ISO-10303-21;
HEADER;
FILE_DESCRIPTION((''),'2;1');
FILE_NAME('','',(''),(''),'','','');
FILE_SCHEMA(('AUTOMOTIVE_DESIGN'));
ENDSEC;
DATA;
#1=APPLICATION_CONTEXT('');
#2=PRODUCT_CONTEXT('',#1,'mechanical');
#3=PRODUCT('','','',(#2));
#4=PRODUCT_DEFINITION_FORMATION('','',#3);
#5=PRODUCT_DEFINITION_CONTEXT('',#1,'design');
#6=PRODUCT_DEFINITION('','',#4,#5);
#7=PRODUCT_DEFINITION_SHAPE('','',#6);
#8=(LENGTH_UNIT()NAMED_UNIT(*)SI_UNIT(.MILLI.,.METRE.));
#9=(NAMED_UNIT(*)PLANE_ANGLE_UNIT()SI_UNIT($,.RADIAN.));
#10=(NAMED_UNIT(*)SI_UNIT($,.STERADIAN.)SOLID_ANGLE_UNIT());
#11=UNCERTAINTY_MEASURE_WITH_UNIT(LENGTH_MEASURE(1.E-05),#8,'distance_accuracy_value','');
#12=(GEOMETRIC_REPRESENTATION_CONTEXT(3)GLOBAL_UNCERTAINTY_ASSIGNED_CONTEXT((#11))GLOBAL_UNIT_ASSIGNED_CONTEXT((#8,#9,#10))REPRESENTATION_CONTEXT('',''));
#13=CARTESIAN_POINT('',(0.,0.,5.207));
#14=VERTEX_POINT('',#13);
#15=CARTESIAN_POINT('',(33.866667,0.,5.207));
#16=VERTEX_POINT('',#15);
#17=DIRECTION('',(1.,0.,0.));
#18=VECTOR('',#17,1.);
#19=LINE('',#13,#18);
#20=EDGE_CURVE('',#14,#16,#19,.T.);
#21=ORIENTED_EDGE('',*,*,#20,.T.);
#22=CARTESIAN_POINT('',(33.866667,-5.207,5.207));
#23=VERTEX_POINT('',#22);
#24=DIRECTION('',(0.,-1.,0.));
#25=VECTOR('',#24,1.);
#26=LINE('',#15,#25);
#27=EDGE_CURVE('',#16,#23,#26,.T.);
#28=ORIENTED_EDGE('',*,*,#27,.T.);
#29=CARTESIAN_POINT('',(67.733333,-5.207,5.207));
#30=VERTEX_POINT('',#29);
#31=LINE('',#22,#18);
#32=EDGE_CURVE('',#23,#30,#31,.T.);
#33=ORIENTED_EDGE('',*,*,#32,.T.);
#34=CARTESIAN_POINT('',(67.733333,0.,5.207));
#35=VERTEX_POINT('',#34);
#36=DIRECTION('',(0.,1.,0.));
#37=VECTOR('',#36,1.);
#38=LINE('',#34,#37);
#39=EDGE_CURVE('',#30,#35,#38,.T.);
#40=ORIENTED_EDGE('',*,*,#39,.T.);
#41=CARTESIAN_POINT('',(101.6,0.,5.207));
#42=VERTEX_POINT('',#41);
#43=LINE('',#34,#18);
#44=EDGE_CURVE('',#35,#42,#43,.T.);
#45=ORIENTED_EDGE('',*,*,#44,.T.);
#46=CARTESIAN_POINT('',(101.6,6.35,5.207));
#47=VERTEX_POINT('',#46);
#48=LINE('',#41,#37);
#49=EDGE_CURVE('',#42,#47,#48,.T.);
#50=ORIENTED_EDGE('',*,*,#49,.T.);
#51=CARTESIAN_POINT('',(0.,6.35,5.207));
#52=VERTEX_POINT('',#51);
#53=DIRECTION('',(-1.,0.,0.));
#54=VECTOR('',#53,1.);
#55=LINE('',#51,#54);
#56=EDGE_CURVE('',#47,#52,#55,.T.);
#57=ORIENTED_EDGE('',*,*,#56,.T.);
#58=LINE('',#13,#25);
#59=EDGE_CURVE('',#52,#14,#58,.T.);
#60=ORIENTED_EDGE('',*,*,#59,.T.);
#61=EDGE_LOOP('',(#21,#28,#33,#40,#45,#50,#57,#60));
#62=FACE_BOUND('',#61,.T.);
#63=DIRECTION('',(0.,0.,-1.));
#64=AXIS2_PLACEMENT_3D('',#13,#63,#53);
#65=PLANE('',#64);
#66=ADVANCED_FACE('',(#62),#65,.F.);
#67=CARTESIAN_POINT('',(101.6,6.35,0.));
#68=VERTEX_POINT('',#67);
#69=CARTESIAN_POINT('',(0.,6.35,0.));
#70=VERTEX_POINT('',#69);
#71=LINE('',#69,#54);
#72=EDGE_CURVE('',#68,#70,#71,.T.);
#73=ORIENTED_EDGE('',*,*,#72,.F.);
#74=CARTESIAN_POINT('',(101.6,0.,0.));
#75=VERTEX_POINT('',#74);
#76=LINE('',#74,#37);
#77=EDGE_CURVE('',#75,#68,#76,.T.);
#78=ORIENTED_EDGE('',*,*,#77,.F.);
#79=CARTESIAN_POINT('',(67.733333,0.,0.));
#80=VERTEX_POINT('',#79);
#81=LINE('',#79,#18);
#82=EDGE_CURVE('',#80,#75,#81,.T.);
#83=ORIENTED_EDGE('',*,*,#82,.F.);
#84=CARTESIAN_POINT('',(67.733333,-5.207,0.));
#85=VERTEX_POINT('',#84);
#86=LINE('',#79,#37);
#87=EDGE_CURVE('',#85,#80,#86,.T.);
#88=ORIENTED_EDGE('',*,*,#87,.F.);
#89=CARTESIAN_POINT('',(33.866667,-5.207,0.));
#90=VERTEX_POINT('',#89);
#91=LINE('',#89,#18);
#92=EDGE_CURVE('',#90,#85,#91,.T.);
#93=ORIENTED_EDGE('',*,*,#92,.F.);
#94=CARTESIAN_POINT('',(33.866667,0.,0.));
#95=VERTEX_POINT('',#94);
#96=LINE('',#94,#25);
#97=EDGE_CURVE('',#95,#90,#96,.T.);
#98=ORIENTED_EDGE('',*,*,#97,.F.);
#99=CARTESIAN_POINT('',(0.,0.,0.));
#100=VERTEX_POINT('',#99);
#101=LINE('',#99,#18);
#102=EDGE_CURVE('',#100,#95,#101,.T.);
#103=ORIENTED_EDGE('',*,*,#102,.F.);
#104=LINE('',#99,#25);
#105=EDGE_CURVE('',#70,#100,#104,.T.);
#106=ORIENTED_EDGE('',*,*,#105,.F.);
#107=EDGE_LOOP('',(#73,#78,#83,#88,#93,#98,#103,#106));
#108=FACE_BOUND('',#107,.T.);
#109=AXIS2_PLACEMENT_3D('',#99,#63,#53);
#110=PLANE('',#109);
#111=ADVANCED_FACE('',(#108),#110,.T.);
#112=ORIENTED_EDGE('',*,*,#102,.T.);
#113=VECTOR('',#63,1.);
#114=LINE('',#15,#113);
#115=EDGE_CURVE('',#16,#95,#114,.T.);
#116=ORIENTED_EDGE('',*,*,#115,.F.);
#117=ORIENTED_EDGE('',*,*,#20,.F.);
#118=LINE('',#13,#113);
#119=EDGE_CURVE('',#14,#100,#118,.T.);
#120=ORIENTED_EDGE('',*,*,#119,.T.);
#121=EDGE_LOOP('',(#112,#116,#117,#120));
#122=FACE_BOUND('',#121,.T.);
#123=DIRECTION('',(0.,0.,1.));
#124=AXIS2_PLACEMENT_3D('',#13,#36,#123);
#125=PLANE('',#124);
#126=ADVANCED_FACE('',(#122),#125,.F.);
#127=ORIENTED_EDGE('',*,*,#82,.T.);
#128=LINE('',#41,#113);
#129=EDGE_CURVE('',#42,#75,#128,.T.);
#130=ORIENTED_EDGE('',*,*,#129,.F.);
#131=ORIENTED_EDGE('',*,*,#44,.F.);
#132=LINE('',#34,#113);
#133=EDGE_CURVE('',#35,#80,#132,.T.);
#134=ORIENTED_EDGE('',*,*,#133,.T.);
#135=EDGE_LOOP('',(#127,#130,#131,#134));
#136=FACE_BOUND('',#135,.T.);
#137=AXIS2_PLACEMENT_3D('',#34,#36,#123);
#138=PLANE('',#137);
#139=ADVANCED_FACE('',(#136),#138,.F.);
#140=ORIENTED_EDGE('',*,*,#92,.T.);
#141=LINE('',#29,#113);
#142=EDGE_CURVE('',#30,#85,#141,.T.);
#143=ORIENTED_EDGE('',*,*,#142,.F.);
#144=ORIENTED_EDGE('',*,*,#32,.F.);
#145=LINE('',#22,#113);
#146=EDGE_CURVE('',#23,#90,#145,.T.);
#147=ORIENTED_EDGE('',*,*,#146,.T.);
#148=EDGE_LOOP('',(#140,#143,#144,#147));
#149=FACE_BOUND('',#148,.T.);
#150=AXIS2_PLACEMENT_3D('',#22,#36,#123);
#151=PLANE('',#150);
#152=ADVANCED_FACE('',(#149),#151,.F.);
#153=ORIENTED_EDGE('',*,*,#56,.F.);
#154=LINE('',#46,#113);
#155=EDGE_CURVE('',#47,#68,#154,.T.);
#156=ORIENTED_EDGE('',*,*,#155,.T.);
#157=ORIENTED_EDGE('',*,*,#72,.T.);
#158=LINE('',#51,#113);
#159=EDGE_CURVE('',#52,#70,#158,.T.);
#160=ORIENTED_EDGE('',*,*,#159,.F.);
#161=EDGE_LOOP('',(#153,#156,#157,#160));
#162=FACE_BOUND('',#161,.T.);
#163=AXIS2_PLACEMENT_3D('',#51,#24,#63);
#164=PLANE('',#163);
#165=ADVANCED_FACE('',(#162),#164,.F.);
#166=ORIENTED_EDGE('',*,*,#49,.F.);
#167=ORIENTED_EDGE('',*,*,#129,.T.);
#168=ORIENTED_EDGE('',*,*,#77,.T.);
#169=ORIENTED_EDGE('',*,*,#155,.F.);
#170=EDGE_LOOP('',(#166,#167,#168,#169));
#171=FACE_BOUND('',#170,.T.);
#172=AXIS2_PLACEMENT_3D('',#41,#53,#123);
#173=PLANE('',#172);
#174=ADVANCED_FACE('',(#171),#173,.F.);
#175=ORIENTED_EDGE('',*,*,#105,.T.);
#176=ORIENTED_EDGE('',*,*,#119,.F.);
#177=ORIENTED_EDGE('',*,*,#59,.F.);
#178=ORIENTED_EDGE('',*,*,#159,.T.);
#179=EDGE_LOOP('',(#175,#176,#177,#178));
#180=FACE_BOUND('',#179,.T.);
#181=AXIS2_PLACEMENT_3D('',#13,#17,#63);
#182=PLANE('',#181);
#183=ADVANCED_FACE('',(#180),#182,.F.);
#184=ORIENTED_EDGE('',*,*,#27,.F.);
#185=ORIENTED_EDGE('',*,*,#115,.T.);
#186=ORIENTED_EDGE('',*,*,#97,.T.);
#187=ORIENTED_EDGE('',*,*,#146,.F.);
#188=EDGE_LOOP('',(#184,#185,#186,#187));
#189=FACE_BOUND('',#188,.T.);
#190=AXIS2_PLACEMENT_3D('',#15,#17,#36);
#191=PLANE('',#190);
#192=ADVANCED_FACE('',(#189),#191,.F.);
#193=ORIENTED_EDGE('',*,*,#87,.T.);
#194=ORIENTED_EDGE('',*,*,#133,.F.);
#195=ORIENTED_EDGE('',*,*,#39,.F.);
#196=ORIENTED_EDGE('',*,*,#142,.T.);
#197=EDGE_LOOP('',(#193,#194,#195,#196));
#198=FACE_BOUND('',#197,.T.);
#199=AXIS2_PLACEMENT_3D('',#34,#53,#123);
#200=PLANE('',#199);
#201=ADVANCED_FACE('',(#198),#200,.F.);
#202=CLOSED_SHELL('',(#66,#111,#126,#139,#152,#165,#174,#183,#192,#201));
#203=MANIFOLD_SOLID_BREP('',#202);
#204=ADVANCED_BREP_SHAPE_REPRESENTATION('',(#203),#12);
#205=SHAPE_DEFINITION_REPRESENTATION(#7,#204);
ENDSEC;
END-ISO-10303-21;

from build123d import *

# Parameters (mm, degrees)
BOSS_EXTRUDE1_DEPTH = 5.207


with BuildPart() as part:
    # Sketch1 → Boss-Extrude1 (new body)
    with BuildSketch(Plane.XY):
        Polygon((67.733333333, 0), (101.6, 0), (101.6, 6.35), (0, 6.35), (0, 0), (33.866666667, 0), (33.866666667, -5.207), (67.733333333, -5.207), align=None)
    extrude(amount=BOSS_EXTRUDE1_DEPTH)


solid = part.part
